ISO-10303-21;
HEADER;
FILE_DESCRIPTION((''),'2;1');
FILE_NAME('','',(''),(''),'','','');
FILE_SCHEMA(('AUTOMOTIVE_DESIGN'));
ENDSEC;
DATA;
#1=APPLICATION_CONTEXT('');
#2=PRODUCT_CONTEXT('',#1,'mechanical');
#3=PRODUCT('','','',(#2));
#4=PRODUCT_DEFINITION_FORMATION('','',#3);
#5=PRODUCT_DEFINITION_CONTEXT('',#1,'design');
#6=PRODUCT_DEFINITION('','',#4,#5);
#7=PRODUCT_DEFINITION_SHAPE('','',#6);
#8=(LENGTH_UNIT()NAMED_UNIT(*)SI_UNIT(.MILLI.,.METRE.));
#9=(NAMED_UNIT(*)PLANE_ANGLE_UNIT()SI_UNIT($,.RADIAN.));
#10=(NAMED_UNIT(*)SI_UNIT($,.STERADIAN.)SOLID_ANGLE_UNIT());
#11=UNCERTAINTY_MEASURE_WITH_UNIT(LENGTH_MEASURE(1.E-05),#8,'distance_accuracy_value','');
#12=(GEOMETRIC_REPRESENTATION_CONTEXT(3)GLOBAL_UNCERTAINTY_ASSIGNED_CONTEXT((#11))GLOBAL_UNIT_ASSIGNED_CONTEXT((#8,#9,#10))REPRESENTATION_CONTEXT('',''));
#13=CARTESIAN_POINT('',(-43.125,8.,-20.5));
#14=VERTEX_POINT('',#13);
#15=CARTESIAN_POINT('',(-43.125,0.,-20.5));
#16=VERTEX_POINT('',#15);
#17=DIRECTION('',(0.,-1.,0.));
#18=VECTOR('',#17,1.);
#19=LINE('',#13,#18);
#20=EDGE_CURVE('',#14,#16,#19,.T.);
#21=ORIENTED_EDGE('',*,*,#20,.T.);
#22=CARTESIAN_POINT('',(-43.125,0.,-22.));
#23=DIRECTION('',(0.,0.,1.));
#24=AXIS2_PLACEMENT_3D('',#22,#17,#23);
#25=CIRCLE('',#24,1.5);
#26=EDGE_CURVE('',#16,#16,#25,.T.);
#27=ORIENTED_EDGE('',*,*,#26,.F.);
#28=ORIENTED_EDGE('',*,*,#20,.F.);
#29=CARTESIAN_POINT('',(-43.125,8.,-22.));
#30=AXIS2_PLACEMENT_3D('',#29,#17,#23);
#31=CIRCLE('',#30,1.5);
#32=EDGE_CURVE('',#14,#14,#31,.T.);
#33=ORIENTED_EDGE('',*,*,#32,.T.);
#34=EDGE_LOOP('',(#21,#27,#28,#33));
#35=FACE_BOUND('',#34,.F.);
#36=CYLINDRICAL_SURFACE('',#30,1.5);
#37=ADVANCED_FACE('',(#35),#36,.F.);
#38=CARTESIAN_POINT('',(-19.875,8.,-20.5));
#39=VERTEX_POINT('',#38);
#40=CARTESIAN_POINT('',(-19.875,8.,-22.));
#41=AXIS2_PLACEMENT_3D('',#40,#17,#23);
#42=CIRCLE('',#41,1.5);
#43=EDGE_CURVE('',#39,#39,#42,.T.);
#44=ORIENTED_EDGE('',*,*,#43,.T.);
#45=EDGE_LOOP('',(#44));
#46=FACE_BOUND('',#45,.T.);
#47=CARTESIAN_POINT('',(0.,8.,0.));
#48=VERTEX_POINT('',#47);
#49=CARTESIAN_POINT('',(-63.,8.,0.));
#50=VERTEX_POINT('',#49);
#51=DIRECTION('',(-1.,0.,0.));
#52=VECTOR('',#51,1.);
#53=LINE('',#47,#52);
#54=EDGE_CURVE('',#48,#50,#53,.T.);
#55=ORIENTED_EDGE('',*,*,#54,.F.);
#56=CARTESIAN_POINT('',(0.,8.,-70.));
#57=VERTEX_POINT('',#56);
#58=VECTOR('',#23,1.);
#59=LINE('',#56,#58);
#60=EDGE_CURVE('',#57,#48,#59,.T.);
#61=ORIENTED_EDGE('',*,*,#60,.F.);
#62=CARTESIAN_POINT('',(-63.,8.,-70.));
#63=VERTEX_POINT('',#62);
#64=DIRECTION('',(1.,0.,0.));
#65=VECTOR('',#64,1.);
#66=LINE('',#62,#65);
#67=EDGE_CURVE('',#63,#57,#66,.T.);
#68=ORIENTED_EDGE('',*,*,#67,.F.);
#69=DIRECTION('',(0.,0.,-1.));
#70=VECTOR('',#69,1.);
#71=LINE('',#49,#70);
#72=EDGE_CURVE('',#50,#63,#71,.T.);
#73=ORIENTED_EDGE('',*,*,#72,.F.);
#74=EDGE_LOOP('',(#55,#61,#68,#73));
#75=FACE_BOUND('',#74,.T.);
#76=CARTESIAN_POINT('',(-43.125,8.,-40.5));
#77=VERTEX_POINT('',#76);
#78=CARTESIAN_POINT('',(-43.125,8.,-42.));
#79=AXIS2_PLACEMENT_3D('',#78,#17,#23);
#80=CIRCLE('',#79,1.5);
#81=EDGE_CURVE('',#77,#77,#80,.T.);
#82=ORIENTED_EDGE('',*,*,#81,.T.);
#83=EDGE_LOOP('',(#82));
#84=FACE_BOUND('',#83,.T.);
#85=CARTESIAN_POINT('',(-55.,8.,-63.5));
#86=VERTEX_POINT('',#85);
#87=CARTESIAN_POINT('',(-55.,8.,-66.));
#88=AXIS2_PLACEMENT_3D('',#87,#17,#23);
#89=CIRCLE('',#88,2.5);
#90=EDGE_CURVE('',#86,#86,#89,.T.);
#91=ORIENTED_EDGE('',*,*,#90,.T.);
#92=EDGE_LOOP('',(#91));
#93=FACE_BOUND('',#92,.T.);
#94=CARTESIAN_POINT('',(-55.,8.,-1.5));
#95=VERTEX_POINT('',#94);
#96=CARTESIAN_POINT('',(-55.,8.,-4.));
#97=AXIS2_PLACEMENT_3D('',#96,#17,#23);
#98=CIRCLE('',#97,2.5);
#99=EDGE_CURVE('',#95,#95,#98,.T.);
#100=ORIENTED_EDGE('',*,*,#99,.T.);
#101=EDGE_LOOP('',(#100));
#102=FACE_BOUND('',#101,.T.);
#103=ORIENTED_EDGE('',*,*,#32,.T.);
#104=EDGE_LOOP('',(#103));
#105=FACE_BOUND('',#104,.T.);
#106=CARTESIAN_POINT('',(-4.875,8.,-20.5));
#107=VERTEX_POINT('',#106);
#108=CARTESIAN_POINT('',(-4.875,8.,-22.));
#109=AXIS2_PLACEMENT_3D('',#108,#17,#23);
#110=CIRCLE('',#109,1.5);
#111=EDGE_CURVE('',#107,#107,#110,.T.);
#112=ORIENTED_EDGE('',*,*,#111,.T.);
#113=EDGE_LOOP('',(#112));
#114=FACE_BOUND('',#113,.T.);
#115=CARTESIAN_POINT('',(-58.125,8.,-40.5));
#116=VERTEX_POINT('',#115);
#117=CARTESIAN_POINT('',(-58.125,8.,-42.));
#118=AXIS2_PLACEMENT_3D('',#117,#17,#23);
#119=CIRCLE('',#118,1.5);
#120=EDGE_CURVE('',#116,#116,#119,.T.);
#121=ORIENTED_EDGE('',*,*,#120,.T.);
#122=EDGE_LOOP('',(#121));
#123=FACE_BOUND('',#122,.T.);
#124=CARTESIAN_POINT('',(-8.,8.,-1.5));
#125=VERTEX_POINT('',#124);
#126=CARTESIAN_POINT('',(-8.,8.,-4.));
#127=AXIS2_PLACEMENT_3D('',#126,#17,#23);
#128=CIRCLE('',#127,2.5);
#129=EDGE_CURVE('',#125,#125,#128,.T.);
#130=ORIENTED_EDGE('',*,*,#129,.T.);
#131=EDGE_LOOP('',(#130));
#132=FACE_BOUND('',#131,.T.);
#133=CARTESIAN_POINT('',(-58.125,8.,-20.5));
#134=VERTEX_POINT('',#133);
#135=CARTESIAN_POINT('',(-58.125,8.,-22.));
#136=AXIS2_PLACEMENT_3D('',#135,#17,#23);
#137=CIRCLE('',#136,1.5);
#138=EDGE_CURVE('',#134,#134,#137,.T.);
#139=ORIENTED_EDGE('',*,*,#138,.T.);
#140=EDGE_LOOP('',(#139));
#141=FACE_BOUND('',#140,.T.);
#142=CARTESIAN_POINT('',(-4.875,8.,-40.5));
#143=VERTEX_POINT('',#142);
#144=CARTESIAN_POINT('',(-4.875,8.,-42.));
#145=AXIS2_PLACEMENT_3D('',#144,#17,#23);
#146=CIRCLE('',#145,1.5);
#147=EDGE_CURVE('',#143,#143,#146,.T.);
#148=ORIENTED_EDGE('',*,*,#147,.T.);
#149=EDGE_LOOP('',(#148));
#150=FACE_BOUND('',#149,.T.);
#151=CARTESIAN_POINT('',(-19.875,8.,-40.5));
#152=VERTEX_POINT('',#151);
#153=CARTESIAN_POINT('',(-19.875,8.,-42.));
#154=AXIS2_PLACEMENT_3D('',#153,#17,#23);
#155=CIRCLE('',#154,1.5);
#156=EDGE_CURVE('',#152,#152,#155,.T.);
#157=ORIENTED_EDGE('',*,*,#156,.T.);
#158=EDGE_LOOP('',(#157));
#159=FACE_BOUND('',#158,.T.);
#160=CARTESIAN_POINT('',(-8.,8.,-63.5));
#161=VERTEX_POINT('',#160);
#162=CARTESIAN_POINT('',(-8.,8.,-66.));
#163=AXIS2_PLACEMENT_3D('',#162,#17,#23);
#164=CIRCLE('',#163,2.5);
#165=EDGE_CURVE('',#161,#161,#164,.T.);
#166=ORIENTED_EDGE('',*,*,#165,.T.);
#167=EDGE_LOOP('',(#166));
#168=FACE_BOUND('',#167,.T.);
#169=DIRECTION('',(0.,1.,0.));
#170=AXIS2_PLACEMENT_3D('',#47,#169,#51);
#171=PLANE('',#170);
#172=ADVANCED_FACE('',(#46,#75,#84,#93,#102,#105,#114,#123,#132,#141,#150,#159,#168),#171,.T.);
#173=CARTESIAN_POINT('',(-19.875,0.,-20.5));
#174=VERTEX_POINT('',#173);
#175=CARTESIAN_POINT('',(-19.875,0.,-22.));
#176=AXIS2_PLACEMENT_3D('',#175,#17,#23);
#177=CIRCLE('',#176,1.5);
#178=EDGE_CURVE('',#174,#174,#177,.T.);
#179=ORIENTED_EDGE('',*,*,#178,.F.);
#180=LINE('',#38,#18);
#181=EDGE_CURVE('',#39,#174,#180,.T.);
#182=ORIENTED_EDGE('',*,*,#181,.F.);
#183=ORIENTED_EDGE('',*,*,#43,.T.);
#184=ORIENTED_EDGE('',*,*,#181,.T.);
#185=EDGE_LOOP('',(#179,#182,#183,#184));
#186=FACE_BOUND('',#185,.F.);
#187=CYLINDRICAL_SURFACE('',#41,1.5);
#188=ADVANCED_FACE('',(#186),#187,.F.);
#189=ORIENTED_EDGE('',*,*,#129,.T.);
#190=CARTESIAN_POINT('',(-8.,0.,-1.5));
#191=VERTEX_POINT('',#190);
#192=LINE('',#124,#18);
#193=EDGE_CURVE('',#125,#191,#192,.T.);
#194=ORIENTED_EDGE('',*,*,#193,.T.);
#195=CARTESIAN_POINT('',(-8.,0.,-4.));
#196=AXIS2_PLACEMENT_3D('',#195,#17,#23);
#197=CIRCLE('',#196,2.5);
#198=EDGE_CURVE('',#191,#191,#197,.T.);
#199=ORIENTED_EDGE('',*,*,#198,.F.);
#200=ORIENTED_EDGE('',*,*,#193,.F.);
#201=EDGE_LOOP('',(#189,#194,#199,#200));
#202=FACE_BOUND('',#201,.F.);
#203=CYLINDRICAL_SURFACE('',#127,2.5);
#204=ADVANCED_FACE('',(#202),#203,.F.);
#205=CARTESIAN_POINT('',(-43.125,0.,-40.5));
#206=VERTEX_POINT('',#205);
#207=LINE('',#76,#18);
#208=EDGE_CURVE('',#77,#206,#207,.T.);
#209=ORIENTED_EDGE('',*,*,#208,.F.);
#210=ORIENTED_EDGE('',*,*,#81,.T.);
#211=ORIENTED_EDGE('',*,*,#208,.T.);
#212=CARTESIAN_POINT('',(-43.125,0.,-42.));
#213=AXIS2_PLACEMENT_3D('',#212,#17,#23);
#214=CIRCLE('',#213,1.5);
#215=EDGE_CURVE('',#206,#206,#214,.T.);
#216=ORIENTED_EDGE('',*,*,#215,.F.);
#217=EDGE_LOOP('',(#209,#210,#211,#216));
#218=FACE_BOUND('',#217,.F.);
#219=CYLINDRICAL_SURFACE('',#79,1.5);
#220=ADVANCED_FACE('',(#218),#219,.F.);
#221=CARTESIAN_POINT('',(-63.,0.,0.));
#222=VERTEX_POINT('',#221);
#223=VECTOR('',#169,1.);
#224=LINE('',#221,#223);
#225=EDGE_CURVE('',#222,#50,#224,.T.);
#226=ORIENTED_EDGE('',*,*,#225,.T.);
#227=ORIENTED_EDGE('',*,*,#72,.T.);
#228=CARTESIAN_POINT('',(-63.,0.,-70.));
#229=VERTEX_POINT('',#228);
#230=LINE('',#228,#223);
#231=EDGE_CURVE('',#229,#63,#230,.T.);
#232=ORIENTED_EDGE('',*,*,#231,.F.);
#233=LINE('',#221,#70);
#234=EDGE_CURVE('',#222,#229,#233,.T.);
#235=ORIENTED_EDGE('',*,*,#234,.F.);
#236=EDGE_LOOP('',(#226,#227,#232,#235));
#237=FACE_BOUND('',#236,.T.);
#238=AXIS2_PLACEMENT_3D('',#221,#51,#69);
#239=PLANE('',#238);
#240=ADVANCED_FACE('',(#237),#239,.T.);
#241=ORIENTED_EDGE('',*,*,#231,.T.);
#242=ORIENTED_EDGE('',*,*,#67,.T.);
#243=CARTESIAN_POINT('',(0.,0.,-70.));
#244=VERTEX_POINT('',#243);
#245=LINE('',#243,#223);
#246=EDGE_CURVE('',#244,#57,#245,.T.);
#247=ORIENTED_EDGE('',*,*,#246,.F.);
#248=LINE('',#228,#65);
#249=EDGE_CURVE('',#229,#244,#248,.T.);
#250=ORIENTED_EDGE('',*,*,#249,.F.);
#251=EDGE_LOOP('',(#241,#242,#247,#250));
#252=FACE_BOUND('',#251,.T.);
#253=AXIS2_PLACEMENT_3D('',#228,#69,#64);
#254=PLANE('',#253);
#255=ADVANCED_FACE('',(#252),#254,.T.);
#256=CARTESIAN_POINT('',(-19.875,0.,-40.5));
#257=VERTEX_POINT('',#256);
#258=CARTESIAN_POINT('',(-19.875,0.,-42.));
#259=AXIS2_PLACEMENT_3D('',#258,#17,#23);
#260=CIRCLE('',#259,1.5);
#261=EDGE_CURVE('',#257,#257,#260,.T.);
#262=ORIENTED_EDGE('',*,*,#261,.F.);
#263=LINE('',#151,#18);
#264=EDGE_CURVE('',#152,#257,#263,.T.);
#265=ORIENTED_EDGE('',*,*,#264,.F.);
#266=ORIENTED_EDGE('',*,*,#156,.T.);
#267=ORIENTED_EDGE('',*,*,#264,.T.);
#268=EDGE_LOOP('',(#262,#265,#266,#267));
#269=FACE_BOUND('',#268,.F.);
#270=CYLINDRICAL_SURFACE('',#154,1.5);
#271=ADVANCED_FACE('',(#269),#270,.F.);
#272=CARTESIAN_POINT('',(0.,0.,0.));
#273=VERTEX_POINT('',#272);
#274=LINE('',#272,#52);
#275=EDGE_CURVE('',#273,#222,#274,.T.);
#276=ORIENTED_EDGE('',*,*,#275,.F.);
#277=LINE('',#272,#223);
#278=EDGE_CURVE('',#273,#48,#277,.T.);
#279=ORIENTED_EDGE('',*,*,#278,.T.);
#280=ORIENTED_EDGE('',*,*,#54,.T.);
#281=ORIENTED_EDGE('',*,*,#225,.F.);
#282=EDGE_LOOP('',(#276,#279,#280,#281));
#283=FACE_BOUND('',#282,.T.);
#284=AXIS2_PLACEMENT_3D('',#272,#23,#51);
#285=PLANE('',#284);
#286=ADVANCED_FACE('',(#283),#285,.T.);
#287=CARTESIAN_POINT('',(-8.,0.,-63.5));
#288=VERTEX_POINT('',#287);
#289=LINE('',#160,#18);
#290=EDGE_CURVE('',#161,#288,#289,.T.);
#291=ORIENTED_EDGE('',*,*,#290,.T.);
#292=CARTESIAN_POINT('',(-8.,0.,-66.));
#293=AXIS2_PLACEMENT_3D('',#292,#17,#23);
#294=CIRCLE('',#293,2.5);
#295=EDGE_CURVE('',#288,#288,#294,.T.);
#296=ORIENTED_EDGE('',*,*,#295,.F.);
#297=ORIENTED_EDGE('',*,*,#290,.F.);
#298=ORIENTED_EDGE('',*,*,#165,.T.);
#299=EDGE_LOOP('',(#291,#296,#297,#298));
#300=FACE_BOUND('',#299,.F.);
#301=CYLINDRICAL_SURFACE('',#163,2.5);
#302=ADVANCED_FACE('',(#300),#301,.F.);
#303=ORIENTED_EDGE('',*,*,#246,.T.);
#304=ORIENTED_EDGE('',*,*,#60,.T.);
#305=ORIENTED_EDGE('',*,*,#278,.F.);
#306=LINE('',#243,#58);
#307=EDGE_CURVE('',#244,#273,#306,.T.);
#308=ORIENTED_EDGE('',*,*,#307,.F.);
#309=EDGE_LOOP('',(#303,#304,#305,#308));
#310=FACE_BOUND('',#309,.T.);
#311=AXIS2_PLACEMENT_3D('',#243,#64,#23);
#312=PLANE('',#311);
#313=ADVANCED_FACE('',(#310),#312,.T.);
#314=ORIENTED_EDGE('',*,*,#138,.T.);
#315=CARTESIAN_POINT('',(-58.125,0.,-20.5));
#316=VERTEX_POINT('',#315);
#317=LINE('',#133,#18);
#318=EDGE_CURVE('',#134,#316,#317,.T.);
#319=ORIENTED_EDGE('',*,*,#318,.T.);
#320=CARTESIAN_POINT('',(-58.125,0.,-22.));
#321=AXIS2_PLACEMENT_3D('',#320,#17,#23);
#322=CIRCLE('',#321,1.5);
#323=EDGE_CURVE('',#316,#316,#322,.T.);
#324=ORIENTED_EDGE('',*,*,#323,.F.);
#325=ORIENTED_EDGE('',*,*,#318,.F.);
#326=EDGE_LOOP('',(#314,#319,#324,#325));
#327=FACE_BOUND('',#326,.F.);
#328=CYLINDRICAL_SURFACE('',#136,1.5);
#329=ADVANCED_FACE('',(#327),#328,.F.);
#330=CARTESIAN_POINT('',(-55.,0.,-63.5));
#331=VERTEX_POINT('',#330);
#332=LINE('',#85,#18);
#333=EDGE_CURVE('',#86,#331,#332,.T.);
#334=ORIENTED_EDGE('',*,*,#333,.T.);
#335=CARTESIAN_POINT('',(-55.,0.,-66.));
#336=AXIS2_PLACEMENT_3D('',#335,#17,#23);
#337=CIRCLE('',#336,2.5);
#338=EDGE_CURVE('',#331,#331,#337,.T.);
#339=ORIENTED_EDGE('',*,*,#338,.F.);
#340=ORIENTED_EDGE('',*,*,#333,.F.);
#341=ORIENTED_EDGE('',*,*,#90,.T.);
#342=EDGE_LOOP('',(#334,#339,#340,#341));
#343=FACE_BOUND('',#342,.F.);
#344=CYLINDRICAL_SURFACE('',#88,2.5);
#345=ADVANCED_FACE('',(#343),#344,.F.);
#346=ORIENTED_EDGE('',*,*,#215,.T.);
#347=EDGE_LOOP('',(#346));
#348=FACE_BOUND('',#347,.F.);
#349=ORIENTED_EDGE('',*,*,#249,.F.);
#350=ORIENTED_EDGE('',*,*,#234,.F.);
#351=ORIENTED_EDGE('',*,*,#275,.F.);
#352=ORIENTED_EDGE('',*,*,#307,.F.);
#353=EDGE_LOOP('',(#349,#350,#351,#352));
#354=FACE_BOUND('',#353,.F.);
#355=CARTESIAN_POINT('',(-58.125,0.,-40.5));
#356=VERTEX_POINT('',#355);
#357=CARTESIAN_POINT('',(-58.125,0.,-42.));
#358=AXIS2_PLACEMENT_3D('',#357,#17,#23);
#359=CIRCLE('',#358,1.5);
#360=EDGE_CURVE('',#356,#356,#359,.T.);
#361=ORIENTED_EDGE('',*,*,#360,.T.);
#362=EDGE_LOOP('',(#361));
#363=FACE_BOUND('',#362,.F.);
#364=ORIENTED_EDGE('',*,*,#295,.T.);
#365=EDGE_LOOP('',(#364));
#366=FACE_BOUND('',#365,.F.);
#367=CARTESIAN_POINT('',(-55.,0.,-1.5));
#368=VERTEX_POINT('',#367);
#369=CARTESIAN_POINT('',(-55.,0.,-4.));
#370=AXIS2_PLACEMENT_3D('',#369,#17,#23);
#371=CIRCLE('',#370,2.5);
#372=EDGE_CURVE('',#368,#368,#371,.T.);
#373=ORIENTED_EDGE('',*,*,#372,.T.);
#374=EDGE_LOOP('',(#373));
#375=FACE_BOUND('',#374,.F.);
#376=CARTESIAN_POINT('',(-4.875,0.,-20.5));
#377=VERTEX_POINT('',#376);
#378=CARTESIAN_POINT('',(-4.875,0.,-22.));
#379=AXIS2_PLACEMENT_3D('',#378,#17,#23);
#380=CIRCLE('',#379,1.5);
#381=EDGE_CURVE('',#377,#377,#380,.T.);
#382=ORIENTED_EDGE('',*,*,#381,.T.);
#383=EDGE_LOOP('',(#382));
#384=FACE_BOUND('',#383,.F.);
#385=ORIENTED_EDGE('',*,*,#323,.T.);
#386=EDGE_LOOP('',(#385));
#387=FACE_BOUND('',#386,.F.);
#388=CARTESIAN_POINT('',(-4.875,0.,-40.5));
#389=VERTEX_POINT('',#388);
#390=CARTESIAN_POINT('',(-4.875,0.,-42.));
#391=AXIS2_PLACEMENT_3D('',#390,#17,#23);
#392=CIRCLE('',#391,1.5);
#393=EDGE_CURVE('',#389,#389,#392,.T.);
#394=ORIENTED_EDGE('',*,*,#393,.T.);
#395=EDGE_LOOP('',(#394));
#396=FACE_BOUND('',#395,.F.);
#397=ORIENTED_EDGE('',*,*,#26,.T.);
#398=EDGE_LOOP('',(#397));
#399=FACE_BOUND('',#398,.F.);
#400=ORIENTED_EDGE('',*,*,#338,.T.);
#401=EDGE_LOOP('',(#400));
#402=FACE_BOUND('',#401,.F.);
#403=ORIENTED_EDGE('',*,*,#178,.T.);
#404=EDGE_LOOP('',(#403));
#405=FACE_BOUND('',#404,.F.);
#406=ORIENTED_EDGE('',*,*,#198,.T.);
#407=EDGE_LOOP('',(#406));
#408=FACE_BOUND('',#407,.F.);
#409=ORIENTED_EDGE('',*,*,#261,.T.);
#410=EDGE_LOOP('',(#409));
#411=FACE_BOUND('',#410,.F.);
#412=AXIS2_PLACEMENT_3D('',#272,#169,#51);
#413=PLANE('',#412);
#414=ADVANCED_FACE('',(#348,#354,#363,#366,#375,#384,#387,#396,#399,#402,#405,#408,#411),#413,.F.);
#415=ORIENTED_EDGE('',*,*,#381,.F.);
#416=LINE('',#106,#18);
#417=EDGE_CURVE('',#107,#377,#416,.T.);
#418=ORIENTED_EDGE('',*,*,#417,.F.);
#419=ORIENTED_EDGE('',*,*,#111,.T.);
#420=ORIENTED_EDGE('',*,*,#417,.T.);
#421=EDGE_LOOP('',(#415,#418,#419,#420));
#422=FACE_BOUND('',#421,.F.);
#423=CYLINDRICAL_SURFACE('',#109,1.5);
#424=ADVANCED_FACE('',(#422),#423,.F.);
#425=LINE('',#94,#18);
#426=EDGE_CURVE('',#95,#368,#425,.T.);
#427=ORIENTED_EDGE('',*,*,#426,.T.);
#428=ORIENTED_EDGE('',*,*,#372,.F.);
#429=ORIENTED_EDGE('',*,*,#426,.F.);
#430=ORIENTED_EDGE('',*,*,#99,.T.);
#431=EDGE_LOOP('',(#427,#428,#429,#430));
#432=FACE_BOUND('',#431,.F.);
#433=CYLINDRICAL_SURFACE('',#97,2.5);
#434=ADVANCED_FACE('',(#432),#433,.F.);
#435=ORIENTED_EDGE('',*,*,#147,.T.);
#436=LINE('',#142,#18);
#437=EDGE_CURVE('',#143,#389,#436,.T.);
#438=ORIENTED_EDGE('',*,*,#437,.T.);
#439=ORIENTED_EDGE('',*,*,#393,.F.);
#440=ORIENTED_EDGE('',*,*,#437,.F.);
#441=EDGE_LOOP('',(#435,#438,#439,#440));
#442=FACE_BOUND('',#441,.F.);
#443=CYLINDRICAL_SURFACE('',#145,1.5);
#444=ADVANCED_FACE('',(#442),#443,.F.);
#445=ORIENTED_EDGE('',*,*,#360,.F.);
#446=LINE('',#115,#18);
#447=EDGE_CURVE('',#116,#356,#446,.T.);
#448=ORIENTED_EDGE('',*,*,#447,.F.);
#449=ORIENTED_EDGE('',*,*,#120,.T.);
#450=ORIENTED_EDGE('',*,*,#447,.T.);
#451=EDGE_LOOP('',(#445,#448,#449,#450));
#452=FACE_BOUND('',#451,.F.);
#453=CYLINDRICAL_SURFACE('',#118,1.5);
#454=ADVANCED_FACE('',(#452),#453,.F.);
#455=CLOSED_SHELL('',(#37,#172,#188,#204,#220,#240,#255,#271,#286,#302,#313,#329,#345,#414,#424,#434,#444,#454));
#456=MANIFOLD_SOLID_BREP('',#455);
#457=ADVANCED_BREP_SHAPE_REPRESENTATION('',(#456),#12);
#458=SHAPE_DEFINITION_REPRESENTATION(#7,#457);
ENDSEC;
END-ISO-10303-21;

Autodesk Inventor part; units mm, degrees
ref_plane "YZ Plane" through (0, 0, 0) normal (1, 0, 0) x (0, 1, 0)
ref_plane "XZ Plane" through (0, 0, 0) normal (0, 1, 0) x (-1, 0, 0)
ref_plane "XY Plane" through (0, 0, 0) normal (0, 0, 1) x (1, 0, 0)
sketch "Sketch1" plane through (0, 0, 0) normal (0, 1, 0) x (-1, 0, 0)
  line L0 (0, 0) -> (63, 0)
  line L1 (63, 0) -> (63, -70)
  line L2 (63, -70) -> (0, -70)
  line L3 (0, -70) -> (0, 0)
  dimension "d0" = 70
  dimension "d1" = 63
extrude "Extrusion1" add sketch "Sketch1" along normal blind 8
sketch "Sketch2" plane through (0, 8, 0) normal (0, 1, 0) x (1, 0, 0)
  line L0 (0, 70) -> (-63, 70) projected
  line L1 (-63, 70) -> (-63, 0) projected
  line L2 (0, 0) -> (0, 70) projected
  point P0 (-58.125, 42)
  point P1 (-43.125, 42)
  point P2 (-58.125, 22)
  point P3 (-43.125, 22)
  point P4 (-19.875, 42)
  point P5 (-19.875, 22)
  point P6 (-4.875, 42)
  point P7 (-4.875, 22)
  dimension "d4" = 70
  dimension "d5" = 63
  dimension "d8" = 15
  dimension "d11" = 20
  dimension "d18" = 20
  dimension "d21" = 15
  dimension "d24" = 23.25
  dimension "d25" = 0
  dimension "d26" = 28
  dimension "d27" = 53.25
  dimension "d28" = -4.875
hole "Hole1" at (-58.125, 8, -42) at (-43.125, 8, -42) at (-58.125, 8, -22) at (-43.125, 8, -22) at (-19.875, 8, -42) at (-19.875, 8, -22) at (-4.875, 8, -42) at (-4.875, 8, -22) direction (0, -1, 0) diameter 3 end through all
sketch "Sketch3" plane through (0, 8, 0) normal (0, 1, 0) x (1, 0, 0)
  line L0 (0, 0) -> (0, 70) projected
  line L1 (-63, 0) -> (0, 0) projected
  point P0 (-8, 4)
  point P1 (-55, 4)
  point P2 (-8, 66)
  point P3 (-55, 66)
  dimension "d38" = 47
  dimension "d41" = 62
  dimension "d44" = 63
  dimension "d45" = 70
  dimension "d46" = 4
  dimension "d47" = 8
hole "Hole2" at (-8, 8, -4) at (-55, 8, -4) at (-8, 8, -66) at (-55, 8, -66) direction (0, -1, 0) diameter 5 end through all
equation "\"d28\" = 0.5 * d27 - 0.5 * d5"
equation "\"d34\" = Thickness"
equation "\"d46\" = 0.5 * d45 - 0.5 * d41"
equation "\"d47\" = 0.5 * d44 - 0.5 * d38"
equation "\"d53\" = Thickness"
equation "\"BendRadius\" = Thickness"
equation "\"BendReliefWidth\" = Thickness"
equation "\"BendReliefDepth\" = 0.5 * Thickness"
equation "\"CornerReliefSize\" = 4 * Thickness"
equation "\"MinimumRemnant\" = 2 * Thickness"
equation "\"TransitionRadius\" = BendRadius"
equation "\"JacobiRadiusSize\" = BendRadius"
equation "\"GapSize\" = Thickness"
equation "\"Thickness\" = 0.5"
properties part number "Lateral da caixa de sustentação" material "Aluminum 6061"
